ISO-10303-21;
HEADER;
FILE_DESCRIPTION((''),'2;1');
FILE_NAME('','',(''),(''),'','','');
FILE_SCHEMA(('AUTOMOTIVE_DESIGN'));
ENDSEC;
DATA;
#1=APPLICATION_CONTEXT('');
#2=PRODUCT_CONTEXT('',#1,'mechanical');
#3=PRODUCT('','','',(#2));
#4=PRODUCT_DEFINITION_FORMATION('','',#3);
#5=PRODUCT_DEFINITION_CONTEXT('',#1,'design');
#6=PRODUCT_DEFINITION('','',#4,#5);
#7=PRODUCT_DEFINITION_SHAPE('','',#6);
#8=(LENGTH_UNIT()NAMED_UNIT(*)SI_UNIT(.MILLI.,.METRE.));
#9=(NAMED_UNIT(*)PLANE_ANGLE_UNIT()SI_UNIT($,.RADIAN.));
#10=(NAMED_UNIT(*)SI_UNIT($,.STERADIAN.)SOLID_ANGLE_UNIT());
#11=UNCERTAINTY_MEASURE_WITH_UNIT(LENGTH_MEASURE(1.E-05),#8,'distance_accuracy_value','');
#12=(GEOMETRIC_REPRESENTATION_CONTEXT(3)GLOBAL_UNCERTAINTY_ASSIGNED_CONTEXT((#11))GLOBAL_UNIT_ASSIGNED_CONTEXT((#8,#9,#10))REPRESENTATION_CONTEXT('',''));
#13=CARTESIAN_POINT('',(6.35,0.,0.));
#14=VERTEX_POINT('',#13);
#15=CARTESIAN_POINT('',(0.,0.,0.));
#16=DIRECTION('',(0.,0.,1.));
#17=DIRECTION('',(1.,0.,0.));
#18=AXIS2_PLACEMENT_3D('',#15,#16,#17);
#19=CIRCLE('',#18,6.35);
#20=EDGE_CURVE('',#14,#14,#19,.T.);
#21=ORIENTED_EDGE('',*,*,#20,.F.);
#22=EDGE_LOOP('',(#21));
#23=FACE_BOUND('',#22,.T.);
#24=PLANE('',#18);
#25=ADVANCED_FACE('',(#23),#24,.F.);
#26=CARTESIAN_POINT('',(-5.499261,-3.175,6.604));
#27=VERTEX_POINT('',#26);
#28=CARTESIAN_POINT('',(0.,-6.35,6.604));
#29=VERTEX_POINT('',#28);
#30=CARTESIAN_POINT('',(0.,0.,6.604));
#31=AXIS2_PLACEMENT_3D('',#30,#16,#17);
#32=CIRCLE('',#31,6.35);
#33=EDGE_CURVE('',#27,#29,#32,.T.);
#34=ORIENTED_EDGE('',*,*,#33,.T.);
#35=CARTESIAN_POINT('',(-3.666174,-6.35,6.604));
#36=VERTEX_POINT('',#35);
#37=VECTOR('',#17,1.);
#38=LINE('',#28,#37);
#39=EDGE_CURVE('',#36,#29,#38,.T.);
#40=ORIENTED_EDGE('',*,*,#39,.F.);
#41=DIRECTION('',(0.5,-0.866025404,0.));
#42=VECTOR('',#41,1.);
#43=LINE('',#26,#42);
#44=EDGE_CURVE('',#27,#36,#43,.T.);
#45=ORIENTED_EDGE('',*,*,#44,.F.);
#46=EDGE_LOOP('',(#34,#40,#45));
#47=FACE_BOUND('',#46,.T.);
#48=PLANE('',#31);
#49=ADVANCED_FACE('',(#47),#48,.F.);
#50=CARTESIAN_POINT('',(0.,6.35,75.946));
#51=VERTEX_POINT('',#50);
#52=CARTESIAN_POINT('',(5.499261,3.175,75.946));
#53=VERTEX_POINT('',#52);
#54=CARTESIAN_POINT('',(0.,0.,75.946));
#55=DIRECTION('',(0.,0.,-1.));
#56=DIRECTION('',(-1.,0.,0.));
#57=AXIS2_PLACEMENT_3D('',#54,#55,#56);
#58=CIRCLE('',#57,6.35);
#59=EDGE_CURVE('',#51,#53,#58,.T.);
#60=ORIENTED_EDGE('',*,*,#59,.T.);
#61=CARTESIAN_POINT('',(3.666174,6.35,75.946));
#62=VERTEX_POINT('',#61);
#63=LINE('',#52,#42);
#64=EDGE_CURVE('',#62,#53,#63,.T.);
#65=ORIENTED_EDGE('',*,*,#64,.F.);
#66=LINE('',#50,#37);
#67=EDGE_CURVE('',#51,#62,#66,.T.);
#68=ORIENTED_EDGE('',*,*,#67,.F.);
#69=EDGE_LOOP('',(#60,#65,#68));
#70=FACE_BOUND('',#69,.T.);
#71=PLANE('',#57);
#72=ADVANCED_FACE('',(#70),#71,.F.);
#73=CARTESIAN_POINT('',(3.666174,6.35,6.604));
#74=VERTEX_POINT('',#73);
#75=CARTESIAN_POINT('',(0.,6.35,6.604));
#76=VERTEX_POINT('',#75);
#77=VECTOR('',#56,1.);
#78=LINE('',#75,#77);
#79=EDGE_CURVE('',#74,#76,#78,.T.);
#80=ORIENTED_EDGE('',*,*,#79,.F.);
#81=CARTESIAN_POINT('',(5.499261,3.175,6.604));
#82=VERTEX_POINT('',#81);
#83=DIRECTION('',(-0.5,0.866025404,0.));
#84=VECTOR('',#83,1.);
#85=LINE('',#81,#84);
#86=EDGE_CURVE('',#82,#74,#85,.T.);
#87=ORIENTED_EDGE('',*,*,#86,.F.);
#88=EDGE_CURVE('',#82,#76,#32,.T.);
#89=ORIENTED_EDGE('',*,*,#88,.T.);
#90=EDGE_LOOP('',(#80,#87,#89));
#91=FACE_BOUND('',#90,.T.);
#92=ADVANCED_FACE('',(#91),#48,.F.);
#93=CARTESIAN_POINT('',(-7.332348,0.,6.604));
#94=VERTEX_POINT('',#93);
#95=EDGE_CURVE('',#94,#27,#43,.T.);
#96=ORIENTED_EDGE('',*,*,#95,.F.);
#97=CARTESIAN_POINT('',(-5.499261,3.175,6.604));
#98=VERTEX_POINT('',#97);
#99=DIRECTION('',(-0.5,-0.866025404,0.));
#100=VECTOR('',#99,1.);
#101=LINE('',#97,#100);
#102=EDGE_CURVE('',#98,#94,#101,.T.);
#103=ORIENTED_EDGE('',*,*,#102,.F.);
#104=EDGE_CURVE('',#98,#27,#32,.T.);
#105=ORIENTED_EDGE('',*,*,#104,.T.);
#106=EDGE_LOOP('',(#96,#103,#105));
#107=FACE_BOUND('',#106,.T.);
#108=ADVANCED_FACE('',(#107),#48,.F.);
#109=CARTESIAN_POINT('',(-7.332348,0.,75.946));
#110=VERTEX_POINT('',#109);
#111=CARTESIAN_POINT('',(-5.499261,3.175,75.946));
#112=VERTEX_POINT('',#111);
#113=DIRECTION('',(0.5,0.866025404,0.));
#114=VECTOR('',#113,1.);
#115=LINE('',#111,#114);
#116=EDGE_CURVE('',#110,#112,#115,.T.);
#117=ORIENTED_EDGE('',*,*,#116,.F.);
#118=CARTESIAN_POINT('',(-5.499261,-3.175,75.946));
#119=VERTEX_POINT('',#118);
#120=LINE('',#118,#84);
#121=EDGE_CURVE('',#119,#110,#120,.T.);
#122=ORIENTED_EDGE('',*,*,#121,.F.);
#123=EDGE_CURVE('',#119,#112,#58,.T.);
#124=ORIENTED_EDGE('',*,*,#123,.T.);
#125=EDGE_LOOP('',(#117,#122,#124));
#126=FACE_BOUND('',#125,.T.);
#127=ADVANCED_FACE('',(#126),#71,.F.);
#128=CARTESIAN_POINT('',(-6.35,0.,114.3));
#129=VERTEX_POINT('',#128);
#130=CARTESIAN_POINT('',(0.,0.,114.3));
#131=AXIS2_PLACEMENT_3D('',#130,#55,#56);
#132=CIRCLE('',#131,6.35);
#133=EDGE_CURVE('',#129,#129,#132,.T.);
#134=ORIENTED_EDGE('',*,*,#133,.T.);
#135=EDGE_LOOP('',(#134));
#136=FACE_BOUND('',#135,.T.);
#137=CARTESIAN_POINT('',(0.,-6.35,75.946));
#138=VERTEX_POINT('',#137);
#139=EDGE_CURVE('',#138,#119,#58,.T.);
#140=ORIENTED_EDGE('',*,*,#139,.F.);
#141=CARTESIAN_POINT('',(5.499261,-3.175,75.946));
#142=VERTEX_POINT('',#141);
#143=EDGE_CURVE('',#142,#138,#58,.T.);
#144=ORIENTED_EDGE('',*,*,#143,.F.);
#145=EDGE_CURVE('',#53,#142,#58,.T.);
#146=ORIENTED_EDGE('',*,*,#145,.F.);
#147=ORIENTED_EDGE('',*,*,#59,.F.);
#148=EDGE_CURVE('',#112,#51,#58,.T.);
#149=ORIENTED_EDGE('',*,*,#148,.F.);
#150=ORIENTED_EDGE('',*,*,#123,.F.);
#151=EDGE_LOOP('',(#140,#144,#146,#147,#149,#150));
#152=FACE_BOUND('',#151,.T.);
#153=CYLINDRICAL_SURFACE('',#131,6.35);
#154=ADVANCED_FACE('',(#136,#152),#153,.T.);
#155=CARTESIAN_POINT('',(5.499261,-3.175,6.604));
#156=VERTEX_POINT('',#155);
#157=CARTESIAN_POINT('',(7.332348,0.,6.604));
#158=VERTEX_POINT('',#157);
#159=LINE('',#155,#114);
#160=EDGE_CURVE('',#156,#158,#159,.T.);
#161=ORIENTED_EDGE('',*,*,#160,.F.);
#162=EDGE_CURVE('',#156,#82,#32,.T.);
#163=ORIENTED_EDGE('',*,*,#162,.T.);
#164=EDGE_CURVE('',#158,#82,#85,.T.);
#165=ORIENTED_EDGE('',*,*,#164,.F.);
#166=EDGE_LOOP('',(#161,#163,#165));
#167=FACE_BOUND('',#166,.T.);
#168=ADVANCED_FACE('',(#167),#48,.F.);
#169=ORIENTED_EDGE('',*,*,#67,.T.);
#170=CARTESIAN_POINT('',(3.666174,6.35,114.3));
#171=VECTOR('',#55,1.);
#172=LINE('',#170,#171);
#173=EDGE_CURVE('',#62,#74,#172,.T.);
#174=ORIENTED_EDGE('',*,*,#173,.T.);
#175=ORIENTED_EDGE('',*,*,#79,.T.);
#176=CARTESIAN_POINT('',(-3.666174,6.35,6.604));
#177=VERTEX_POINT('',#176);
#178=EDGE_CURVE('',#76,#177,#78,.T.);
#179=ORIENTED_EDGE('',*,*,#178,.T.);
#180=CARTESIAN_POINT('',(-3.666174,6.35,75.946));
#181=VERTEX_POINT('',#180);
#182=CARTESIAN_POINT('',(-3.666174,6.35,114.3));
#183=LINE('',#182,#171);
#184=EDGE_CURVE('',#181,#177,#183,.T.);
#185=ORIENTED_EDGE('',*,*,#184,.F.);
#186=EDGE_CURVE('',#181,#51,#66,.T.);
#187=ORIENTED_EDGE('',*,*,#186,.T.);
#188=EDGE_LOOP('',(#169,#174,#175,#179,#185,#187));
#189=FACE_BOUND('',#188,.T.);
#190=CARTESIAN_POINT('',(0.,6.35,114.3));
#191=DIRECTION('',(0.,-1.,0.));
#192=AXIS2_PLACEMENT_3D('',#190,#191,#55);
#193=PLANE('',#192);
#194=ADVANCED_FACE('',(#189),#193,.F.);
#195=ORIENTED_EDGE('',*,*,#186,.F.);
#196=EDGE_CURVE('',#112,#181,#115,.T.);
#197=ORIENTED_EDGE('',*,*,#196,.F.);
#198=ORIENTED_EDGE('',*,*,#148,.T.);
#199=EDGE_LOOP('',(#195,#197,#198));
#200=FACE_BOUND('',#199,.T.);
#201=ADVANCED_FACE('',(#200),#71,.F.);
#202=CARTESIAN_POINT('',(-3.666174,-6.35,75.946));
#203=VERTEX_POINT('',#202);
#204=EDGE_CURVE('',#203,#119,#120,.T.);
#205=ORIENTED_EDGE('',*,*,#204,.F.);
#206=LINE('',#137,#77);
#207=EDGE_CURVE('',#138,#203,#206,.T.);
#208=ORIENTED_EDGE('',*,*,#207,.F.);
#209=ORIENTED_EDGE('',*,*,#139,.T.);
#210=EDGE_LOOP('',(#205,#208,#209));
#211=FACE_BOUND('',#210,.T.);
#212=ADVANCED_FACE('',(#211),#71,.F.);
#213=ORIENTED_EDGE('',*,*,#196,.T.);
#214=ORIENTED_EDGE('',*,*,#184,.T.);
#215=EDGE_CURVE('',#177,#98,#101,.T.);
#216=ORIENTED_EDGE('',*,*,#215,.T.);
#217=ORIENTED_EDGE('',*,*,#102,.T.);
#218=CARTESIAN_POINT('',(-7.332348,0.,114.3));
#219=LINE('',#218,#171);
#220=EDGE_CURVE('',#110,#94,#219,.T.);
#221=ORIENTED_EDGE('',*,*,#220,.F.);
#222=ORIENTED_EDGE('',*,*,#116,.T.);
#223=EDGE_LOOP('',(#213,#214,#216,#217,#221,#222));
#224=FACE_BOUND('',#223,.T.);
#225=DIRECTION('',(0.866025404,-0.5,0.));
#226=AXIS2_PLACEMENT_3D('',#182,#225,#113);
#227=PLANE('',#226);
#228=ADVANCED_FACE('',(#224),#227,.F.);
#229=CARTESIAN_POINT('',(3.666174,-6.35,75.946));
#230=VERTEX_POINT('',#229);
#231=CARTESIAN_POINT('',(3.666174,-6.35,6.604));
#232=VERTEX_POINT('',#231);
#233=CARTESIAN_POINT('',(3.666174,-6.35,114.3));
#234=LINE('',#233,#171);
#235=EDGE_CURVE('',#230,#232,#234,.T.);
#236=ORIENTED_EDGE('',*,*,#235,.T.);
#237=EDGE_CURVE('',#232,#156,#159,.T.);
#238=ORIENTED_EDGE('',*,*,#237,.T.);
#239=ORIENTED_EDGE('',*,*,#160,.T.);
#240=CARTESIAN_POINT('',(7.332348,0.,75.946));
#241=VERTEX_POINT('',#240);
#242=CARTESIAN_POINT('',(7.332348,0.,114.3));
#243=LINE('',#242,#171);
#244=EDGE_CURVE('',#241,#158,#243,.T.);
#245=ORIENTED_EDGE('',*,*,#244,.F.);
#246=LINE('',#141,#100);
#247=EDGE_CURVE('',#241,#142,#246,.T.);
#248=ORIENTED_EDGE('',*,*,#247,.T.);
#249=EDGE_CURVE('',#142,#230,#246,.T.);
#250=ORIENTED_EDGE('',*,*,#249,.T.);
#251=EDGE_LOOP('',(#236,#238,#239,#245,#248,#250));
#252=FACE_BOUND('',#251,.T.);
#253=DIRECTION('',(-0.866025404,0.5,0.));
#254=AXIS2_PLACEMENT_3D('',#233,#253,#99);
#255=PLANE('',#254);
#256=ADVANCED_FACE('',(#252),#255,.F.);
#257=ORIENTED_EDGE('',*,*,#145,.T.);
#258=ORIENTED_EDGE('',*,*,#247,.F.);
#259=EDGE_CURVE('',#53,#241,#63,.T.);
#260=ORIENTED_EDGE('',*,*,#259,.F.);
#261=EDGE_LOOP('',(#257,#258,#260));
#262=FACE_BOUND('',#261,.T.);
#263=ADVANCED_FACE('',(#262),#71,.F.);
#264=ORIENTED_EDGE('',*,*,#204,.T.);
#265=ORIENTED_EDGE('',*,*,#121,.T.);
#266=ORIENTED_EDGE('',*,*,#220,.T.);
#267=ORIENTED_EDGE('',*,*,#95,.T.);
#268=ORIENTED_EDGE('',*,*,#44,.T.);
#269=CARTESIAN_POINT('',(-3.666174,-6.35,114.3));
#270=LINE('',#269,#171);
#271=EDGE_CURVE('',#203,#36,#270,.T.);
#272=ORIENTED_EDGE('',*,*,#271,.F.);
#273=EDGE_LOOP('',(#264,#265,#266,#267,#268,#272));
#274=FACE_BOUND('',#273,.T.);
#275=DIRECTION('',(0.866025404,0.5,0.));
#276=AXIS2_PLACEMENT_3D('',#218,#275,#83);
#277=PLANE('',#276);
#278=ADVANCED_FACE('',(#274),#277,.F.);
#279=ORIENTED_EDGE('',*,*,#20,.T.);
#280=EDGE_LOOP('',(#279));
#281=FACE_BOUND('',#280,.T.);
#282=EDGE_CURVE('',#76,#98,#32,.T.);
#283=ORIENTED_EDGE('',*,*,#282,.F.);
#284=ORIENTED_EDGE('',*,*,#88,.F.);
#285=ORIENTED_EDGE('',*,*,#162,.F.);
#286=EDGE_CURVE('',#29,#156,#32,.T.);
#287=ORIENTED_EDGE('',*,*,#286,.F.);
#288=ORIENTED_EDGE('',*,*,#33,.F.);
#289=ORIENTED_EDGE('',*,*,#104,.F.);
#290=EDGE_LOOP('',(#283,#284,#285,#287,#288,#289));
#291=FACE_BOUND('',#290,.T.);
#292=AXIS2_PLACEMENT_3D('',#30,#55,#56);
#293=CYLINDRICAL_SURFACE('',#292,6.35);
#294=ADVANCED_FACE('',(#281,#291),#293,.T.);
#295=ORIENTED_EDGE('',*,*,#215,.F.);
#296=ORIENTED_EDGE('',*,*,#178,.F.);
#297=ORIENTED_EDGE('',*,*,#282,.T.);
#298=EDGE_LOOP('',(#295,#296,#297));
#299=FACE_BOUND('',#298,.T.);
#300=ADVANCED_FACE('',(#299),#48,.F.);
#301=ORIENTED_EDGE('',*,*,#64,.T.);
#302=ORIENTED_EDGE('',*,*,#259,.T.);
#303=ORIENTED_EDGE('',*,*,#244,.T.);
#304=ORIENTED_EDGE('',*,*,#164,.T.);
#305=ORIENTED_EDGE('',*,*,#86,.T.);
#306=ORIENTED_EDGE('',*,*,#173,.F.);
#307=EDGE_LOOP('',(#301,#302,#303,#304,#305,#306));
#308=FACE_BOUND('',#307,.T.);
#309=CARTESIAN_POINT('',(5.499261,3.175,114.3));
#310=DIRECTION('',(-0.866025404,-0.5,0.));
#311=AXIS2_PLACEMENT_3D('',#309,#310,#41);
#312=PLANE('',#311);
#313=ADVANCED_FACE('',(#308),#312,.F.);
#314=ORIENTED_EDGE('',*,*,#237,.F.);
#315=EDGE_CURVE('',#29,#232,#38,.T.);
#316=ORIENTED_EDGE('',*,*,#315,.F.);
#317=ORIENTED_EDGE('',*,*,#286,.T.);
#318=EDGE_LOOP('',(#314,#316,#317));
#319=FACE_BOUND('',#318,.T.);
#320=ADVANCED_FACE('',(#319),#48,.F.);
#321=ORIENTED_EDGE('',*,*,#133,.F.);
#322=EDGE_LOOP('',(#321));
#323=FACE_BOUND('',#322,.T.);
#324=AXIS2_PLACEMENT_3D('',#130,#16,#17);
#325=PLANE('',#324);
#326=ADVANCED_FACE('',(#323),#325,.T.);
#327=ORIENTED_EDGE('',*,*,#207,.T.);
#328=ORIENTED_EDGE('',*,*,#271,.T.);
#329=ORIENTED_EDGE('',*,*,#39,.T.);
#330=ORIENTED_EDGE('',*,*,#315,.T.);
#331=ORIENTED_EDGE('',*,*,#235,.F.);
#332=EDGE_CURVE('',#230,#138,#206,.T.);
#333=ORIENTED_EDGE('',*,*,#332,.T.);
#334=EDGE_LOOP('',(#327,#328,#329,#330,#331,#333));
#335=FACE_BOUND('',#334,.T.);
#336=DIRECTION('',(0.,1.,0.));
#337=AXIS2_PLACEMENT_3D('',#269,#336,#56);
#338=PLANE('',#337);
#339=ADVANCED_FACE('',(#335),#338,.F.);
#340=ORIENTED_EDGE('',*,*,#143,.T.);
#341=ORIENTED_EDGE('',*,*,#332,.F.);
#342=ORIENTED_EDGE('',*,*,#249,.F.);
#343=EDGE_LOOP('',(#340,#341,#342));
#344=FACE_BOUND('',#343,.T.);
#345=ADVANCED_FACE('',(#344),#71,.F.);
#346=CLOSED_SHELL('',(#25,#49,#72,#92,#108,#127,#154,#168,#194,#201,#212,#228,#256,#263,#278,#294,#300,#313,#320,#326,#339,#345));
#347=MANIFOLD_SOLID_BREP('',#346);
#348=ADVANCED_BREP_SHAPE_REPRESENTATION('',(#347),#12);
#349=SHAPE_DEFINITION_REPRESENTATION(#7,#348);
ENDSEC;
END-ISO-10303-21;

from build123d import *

# Parameters (mm, degrees)
BOSS_EXTRUDE1_DEPTH = 114.3
CUT_EXTRUDE1_DEPTH  = 6.604
CUT_EXTRUDE3_DEPTH  = 77.562920199


with BuildPart() as part:
    # Sketch1 → Boss-Extrude1 (new body)
    with BuildSketch(Plane.XY):
        Polygon((7.332348419, 0), (3.666174209, 6.35), (-3.666174209, 6.35), (-7.332348419, 0), (-3.666174209, -6.35), (3.666174209, -6.35), align=None)
    extrude(amount=BOSS_EXTRUDE1_DEPTH)

    # Sketch1<3> → Cut-Extrude1 (cut)
    with BuildSketch(Plane.XY):
        with BuildLine():
            Line((5.499261261, -3.175000092), (7.332348419, 0))
            Line((7.332348419, 0), (5.499261261, 3.175000092))
            ThreePointArc((5.499261261, 3.175000092), (6.35, 0), (5.499261261, -3.175000092))
        make_face()
        with BuildLine():
            ThreePointArc((0, 6.35), (3.174999954, 5.499261341), (5.499261261, 3.175000092))
            Line((5.499261261, 3.175000092), (3.666174209, 6.35))
            Line((3.666174209, 6.35), (0, 6.35))
        make_face()
        with BuildLine():
            Line((3.666174209, -6.35), (5.499261261, -3.175000092))
            ThreePointArc((5.499261261, -3.175000092), (3.174999954, -5.499261341), (0, -6.35))
            Line((0, -6.35), (3.666174209, -6.35))
        make_face()
        with BuildLine():
            ThreePointArc((-5.499261261, 3.175000092), (-3.174999954, 5.499261341), (0, 6.35))
            Line((0, 6.35), (-3.666174209, 6.35))
            Line((-3.666174209, 6.35), (-5.499261261, 3.175000092))
        make_face()
        with BuildLine():
            Line((-3.666174209, -6.35), (0, -6.35))
            ThreePointArc((0, -6.35), (-3.175000002, -5.499261313), (-5.499261317, -3.174999996))
            Line((-5.499261317, -3.174999996), (-3.666174209, -6.35))
        make_face()
        with BuildLine():
            ThreePointArc((-5.499261317, -3.174999996), (-6.35, 5.6e-08), (-5.499261261, 3.175000092))
            Line((-5.499261261, 3.175000092), (-7.332348419, 0))
            Line((-7.332348419, 0), (-5.499261317, -3.174999996))
        make_face()
    extrude(amount=CUT_EXTRUDE1_DEPTH, mode=Mode.SUBTRACT)

    # Sketch3 → Cut-Extrude3 (cut, through all)
    with BuildSketch(Plane(origin=(0, 0, 75.946), x_dir=(-1, 0, 0), z_dir=(0, 0, -1))):
        with BuildLine():
            Line((0, 6.35), (-3.666174209, 6.35))
            Line((-3.666174209, 6.35), (-5.499261441, 3.17499978))
            ThreePointArc((-5.499261441, 3.17499978), (-3.17500011, 5.499261251), (0, 6.35))
        make_face()
        with BuildLine():
            ThreePointArc((-5.499261441, -3.17499978), (-6.35, 0), (-5.499261441, 3.17499978))
            Line((-5.499261441, 3.17499978), (-7.332348419, 0))
            Line((-7.332348419, 0), (-5.499261441, -3.17499978))
        make_face()
        with BuildLine():
            Line((3.666174209, 6.35), (0, 6.35))
            ThreePointArc((0, 6.35), (3.175000128, 5.49926124), (5.499261462, 3.174999743))
            Line((5.499261462, 3.174999743), (3.666174209, 6.35))
        make_face()
        with BuildLine():
            ThreePointArc((0, -6.35), (-3.17500011, -5.499261251), (-5.499261441, -3.17499978))
            Line((-5.499261441, -3.17499978), (-3.666174209, -6.35))
            Line((-3.666174209, -6.35), (0, -6.35))
        make_face()
        with BuildLine():
            Line((7.332348419, 0), (5.499261462, 3.174999743))
            ThreePointArc((5.499261462, 3.174999743), (6.35, -2.95e-07), (5.499261168, -3.175000253))
            Line((5.499261168, -3.175000253), (7.332348419, 0))
        make_face()
        with BuildLine():
            ThreePointArc((5.499261168, -3.175000253), (3.174999873, -5.499261387), (0, -6.35))
            Line((0, -6.35), (3.666174209, -6.35))
            Line((3.666174209, -6.35), (5.499261168, -3.175000253))
        make_face()
    extrude(amount=-CUT_EXTRUDE3_DEPTH, mode=Mode.SUBTRACT)


solid = part.part
